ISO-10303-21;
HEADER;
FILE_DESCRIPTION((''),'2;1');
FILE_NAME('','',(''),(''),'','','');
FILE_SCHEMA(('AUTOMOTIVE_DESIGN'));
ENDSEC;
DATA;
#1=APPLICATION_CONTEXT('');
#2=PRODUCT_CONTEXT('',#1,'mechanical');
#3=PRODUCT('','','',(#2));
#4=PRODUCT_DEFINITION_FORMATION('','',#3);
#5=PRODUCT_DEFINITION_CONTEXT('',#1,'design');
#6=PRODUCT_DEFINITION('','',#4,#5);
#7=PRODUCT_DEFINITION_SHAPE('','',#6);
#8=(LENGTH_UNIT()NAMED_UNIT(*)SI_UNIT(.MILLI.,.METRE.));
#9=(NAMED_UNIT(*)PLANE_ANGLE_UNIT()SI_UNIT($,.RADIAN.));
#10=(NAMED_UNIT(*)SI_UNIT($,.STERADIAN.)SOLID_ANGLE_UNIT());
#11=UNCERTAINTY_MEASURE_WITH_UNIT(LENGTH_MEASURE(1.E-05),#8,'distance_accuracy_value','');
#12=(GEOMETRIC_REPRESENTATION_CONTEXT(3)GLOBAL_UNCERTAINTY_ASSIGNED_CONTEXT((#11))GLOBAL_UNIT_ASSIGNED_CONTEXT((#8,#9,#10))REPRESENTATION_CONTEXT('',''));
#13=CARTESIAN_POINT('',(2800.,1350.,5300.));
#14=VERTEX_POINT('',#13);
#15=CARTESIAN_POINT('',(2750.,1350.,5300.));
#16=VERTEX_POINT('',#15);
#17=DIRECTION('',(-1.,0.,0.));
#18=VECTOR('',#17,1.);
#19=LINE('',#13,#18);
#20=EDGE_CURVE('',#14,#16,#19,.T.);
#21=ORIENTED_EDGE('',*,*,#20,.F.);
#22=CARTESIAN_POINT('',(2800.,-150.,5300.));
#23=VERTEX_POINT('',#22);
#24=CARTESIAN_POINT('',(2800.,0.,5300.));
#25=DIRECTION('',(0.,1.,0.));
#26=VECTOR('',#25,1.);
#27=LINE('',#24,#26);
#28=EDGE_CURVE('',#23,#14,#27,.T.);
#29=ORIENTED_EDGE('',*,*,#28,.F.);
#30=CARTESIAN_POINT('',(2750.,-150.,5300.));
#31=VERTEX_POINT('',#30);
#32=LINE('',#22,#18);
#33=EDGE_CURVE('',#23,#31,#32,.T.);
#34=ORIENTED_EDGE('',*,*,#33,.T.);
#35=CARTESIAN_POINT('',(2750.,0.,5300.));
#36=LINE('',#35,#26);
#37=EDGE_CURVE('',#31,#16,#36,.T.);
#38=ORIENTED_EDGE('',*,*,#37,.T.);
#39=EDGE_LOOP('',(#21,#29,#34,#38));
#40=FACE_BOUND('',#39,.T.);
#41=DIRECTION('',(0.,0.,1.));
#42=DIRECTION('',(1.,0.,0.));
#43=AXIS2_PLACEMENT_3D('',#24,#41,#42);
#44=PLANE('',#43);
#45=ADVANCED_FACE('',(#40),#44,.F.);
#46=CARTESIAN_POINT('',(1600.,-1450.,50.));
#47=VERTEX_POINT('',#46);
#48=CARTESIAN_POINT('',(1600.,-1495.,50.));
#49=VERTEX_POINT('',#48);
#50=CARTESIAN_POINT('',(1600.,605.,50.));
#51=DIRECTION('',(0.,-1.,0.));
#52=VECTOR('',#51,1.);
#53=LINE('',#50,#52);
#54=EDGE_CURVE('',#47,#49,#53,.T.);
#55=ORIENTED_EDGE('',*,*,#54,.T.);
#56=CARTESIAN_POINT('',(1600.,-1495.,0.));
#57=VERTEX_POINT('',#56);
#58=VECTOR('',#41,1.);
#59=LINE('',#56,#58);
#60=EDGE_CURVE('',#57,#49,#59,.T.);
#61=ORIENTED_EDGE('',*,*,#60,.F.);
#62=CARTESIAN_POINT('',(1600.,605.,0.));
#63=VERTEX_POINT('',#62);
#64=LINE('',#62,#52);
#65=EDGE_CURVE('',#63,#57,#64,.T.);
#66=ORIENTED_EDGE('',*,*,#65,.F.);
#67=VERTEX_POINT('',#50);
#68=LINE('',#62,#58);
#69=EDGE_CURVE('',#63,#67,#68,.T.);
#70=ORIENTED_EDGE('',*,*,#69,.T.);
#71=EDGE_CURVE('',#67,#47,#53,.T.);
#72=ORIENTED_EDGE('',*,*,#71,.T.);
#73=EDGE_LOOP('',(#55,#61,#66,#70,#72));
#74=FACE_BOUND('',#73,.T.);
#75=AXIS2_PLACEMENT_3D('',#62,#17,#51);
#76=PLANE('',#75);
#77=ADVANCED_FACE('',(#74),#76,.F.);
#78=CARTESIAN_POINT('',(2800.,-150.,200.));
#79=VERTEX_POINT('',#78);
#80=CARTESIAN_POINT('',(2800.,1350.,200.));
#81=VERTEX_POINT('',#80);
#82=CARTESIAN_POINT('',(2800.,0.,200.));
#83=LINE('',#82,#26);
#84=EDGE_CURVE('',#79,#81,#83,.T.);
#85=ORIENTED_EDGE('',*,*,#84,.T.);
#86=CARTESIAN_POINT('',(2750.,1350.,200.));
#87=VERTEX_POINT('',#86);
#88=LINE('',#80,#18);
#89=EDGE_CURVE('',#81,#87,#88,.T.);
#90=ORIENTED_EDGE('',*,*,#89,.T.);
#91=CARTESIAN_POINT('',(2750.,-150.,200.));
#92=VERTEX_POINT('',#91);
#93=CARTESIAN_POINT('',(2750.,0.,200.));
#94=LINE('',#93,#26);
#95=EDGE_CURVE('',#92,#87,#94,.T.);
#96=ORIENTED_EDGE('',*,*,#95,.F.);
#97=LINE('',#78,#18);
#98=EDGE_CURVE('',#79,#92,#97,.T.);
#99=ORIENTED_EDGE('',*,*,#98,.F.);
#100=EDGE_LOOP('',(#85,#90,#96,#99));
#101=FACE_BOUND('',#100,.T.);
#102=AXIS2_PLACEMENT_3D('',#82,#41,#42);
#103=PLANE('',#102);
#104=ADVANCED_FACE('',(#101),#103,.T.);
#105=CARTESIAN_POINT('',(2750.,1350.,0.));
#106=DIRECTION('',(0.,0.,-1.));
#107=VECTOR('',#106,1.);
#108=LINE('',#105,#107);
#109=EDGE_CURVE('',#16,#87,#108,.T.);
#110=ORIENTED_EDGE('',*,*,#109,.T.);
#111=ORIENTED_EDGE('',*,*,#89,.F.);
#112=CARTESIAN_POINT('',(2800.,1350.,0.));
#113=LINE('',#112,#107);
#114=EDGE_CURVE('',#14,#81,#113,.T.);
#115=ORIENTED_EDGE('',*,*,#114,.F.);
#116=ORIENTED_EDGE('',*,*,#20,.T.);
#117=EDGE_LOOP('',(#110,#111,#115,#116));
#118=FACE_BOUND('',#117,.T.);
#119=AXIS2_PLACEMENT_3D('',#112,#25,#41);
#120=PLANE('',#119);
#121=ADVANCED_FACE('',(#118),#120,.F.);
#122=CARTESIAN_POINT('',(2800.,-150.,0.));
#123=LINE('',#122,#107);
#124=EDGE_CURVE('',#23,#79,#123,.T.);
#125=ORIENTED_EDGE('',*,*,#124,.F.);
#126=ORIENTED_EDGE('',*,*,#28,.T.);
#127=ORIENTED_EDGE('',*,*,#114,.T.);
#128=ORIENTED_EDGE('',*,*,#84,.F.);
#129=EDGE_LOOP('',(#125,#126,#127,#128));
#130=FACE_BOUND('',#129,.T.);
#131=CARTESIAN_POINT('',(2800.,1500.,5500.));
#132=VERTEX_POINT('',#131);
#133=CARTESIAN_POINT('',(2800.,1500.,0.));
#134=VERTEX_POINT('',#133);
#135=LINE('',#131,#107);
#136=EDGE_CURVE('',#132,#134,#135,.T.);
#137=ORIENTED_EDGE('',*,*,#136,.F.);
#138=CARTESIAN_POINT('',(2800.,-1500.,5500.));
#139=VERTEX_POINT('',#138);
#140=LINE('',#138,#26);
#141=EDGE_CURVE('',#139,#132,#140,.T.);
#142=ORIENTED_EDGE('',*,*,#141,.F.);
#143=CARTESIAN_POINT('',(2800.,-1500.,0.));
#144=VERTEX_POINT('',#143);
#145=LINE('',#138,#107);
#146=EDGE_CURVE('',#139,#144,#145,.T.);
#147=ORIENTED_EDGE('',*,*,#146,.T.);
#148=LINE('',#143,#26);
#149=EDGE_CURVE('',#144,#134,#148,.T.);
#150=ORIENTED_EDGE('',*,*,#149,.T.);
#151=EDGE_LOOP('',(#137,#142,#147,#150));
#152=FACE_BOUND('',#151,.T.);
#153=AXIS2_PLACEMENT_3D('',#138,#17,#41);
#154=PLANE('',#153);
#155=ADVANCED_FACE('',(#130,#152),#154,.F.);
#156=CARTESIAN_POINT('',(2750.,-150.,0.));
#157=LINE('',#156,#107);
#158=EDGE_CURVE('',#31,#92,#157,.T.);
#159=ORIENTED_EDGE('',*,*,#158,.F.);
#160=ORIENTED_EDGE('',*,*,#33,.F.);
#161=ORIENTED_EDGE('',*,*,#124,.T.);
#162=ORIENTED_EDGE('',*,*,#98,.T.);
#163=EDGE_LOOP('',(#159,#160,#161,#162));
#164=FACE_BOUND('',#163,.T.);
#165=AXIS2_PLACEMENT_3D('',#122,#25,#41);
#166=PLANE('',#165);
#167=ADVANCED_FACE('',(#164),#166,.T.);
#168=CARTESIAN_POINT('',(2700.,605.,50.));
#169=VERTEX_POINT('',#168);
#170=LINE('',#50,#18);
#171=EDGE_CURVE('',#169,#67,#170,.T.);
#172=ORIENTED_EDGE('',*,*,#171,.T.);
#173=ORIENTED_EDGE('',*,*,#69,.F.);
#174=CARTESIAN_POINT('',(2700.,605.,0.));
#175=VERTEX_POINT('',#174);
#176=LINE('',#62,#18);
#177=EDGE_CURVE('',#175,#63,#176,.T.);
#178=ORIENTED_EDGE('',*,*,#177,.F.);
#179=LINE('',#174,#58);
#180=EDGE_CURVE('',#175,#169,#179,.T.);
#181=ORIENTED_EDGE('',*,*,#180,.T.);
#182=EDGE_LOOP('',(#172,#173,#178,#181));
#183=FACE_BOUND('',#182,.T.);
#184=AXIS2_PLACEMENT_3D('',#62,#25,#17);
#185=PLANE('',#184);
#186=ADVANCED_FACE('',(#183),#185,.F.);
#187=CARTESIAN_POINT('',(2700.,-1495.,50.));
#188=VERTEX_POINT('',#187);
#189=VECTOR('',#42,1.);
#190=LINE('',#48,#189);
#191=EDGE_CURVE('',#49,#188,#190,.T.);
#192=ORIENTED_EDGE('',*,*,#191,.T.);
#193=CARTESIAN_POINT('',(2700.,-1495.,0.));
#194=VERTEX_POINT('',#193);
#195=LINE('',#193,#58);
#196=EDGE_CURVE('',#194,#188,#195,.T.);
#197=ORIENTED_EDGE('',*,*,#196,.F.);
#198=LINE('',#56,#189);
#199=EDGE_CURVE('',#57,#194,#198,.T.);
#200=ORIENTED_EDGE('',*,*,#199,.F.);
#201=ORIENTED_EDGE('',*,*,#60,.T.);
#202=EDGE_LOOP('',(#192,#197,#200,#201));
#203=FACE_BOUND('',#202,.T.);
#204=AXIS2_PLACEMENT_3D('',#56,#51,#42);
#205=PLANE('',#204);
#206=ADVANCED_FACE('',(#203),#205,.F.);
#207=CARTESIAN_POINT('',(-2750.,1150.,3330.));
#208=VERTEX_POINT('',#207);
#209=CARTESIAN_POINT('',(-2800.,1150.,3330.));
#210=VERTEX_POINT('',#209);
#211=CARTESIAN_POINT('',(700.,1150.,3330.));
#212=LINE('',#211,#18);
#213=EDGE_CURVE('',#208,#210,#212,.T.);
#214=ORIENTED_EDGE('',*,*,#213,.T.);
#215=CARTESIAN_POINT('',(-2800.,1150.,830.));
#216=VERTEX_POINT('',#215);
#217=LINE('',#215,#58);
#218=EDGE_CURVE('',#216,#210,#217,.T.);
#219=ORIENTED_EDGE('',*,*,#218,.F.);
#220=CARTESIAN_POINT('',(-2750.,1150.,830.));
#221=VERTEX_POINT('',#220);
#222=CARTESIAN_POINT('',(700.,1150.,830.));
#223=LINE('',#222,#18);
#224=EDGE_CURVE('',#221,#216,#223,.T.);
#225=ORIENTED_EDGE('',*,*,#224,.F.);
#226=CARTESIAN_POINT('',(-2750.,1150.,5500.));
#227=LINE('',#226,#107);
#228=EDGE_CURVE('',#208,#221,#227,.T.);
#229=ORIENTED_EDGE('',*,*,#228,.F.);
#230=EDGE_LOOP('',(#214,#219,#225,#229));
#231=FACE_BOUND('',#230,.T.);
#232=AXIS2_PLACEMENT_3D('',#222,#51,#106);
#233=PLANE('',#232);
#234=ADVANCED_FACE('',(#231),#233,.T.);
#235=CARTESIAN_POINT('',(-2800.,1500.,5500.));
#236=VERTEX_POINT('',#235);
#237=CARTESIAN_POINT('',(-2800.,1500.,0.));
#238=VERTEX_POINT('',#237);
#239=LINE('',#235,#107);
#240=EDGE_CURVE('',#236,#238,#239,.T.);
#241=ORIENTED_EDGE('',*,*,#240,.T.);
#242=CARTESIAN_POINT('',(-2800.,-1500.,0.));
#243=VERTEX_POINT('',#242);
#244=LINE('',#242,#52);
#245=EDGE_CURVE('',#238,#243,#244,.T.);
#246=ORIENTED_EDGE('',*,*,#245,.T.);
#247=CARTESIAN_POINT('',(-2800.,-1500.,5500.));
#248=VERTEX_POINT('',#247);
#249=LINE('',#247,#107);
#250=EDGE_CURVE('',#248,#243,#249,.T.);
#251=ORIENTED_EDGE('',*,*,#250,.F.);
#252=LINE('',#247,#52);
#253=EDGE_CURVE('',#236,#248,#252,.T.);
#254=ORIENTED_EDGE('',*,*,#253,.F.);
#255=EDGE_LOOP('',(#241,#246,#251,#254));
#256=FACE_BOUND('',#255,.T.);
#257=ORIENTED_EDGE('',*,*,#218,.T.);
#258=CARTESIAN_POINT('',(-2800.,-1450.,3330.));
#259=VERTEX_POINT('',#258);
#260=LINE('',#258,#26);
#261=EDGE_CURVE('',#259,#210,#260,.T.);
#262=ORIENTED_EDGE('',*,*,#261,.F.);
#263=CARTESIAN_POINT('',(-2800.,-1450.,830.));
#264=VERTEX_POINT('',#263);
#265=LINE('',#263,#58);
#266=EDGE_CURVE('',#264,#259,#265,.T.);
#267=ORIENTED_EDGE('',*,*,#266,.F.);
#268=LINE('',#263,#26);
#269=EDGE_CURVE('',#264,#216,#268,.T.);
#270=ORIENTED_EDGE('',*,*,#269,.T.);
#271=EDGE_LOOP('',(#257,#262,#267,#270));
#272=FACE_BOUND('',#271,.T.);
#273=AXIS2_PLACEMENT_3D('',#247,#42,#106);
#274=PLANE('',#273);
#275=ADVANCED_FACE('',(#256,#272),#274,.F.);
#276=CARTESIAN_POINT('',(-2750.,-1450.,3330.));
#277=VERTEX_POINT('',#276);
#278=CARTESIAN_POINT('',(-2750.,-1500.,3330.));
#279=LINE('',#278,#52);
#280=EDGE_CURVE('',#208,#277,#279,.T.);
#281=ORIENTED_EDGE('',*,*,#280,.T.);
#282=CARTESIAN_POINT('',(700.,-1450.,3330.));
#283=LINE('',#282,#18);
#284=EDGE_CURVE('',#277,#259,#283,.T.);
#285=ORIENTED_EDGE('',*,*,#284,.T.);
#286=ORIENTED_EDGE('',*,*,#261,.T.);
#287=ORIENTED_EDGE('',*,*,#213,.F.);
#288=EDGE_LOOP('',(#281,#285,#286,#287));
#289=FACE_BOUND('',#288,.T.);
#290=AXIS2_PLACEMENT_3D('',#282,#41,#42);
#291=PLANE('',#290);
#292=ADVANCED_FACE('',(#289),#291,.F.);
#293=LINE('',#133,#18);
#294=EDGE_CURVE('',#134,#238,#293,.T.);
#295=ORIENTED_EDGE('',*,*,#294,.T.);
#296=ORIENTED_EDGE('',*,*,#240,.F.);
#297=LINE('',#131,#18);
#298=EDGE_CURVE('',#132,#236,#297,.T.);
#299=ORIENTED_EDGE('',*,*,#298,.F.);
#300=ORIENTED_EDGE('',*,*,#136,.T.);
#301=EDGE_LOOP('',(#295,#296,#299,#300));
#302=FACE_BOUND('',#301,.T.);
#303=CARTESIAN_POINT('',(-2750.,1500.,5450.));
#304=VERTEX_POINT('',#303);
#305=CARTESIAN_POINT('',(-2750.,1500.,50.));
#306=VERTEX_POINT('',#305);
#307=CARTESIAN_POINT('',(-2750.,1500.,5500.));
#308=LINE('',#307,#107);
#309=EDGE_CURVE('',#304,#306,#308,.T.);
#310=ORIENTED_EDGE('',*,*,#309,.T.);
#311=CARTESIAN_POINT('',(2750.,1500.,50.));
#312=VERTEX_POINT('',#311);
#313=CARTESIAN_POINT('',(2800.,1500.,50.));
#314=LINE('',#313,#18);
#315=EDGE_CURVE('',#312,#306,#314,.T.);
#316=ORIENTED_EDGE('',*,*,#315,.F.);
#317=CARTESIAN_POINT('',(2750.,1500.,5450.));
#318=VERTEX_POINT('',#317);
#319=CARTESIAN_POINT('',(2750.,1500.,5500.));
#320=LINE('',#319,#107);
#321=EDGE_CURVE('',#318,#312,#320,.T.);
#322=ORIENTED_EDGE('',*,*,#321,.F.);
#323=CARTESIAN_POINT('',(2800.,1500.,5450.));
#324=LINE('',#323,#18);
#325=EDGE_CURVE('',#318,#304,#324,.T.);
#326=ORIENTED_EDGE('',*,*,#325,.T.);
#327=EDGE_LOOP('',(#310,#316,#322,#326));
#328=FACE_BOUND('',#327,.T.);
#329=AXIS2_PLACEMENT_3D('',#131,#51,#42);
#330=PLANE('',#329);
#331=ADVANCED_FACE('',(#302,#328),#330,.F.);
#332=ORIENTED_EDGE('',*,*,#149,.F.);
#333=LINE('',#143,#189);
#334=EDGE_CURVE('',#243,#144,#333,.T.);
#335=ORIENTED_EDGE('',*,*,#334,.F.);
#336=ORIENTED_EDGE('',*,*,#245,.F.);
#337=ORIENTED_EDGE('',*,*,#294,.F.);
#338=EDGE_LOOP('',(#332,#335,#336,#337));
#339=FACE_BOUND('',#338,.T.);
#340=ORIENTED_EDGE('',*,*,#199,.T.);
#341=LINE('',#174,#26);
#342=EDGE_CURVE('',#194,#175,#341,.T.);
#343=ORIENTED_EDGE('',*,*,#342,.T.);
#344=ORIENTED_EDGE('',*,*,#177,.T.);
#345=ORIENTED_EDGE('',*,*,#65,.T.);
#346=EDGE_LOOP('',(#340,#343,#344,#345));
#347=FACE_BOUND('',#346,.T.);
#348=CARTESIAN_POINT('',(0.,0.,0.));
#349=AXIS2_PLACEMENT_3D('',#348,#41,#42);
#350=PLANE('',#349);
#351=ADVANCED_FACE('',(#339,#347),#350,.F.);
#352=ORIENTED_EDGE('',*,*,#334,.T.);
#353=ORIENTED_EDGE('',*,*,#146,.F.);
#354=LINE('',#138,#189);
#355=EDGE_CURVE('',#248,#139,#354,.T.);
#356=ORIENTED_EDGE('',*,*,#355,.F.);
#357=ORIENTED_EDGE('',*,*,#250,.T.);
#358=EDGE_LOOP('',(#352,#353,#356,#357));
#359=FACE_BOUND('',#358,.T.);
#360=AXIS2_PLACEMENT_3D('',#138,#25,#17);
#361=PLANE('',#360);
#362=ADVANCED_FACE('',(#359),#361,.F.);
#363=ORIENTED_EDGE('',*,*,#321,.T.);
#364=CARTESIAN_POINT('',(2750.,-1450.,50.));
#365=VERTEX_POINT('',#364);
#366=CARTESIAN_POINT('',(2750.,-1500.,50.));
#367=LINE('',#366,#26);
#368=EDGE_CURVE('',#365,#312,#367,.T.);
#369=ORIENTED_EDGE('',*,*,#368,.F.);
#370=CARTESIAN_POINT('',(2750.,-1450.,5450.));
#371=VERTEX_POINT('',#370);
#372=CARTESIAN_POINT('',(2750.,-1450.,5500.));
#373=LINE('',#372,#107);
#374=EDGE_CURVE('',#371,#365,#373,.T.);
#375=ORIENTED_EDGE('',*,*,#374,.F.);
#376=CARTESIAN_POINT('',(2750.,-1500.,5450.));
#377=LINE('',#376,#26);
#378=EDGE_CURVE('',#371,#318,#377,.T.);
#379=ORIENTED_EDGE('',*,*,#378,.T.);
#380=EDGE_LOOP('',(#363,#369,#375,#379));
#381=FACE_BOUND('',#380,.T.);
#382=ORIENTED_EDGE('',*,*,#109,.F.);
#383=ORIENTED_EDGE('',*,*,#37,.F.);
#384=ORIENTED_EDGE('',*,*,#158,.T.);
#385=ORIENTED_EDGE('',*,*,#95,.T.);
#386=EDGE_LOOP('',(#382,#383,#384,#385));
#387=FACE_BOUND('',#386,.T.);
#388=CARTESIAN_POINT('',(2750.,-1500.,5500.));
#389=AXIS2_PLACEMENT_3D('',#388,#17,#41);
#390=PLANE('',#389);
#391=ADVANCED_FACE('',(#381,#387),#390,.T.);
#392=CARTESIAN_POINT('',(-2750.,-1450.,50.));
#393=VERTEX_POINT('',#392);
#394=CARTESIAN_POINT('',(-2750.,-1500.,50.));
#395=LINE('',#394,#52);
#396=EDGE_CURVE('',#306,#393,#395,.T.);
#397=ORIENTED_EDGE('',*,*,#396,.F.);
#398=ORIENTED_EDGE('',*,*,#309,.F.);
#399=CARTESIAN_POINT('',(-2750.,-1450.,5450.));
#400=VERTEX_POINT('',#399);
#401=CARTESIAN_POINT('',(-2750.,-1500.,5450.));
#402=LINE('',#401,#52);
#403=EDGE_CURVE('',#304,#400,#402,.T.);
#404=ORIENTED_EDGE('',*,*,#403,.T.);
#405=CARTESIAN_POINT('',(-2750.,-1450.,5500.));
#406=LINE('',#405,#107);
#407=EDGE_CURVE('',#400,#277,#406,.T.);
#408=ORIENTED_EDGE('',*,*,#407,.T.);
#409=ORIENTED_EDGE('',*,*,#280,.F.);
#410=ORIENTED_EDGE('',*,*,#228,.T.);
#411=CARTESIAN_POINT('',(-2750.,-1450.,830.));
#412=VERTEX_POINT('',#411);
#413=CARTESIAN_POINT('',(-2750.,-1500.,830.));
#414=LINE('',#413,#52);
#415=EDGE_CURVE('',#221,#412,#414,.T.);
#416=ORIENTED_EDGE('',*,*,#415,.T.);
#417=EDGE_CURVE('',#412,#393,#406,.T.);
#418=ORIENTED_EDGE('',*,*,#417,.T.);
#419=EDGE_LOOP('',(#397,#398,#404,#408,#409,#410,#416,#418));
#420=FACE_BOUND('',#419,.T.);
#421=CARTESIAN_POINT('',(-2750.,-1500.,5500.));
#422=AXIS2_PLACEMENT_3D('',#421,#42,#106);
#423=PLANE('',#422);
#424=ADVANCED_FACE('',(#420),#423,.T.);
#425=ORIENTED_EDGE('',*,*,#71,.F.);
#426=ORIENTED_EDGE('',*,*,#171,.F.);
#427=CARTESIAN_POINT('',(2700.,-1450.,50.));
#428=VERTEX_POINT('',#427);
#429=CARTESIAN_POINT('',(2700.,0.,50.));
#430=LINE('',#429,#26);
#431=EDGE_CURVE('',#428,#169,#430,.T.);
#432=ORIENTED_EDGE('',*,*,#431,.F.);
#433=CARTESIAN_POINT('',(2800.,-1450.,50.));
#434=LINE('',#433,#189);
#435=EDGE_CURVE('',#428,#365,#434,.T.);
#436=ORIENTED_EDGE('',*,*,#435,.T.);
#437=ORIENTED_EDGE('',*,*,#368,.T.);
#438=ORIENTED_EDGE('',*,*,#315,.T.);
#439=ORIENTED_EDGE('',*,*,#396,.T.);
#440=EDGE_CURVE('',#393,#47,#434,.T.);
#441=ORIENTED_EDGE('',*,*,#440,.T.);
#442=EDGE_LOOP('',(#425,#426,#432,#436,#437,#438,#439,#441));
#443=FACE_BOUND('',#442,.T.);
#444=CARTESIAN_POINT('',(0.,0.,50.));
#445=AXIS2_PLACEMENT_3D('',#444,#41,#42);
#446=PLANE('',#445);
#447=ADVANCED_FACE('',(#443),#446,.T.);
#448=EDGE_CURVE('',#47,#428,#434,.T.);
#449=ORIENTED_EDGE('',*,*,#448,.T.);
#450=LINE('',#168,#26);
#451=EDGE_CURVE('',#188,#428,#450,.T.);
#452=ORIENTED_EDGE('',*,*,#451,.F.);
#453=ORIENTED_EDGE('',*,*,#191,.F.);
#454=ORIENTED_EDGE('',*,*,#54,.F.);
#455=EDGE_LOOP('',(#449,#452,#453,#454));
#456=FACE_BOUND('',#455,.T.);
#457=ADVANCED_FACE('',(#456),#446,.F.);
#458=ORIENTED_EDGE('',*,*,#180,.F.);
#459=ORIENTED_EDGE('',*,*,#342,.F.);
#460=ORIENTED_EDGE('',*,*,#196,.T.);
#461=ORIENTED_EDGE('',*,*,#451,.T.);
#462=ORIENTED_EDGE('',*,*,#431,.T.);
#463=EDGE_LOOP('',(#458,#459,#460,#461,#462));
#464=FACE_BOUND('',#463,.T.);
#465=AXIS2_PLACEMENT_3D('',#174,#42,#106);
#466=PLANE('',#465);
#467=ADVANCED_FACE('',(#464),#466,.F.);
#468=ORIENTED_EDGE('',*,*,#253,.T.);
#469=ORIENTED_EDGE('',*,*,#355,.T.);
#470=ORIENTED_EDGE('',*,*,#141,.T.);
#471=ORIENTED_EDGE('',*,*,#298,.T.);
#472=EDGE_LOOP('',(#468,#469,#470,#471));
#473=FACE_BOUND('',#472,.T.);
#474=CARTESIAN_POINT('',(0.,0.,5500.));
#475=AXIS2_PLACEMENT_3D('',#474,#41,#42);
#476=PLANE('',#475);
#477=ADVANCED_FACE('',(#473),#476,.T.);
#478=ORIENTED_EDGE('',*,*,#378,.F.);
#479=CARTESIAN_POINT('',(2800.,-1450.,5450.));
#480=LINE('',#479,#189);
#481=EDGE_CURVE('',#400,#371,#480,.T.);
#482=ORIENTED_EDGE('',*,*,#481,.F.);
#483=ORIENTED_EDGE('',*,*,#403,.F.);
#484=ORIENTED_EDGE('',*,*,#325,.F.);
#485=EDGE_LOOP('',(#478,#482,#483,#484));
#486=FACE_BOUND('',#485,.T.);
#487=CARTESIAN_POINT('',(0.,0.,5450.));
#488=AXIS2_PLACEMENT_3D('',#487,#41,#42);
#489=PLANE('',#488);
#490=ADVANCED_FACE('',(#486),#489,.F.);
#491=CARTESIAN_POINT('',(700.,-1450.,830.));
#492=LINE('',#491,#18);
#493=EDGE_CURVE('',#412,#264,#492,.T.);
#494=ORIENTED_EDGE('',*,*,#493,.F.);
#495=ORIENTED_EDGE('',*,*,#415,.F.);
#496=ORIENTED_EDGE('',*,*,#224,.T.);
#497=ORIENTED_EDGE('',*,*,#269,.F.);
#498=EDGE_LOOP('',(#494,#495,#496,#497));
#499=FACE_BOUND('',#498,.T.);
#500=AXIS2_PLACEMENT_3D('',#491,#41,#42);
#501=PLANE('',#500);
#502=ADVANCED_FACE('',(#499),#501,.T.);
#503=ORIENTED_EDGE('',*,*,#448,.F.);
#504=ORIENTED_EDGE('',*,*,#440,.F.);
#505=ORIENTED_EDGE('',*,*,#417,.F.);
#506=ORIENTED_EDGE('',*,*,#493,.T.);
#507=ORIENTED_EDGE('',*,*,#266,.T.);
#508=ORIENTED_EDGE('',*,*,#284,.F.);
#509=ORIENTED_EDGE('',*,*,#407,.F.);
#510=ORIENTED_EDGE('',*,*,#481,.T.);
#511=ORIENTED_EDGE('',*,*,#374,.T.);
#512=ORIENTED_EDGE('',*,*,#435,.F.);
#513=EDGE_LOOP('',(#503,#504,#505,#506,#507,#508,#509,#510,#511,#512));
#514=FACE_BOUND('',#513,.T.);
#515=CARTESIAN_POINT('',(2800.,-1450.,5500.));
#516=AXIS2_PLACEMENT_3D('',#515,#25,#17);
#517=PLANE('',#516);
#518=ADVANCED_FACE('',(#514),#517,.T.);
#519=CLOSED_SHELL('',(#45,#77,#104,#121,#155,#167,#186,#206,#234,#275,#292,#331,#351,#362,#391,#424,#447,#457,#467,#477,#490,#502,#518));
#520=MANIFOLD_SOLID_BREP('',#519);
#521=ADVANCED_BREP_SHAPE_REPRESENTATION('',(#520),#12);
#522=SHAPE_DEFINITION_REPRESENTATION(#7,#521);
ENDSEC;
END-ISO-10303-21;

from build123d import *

# Parameters (mm, degrees)
SKETCH3_W           = 5600
SKETCH3_H           = 3000
BOSS_EXTRUDE2_DEPTH = 5500
SHELL2_T            = -50
SKETCH4_W           = 2500
SKETCH4_H           = 2600
CUT_EXTRUDE4_DEPTH  = 3500
SKETCH5_W           = 1100
SKETCH5_H           = 2100
CUT_EXTRUDE6_DEPTH  = 6309.129675268
SKETCH6_W           = 5100
SKETCH6_H           = 1500
CUT_EXTRUDE7_DEPTH  = 7957.286822381


with BuildPart() as part:
    # Sketch3 → Boss-Extrude2 (new body)
    with BuildSketch(Plane.XY):
        Rectangle(SKETCH3_W, SKETCH3_H)
    extrude(amount=BOSS_EXTRUDE2_DEPTH)

    # Shell2
    shell2_openings = [part.faces().sort_by_distance(p)[0] for p in [
        (0, 1500, 2750),
    ]]
    offset(amount=SHELL2_T, openings=shell2_openings, kind=Kind.INTERSECTION)

    # Sketch4 → Cut-Extrude4 (cut)
    with BuildSketch(Plane.ZY.offset(2800)):
        with Locations((2080, -150)):
            Rectangle(SKETCH4_W, SKETCH4_H)
    extrude(amount=-CUT_EXTRUDE4_DEPTH, mode=Mode.SUBTRACT)

    # Sketch5 → Cut-Extrude6 (cut, through all)
    with BuildSketch(Plane.XY.offset(50)):
        with Locations((2150, -445)):
            Rectangle(SKETCH5_W, SKETCH5_H)
    extrude(amount=-CUT_EXTRUDE6_DEPTH, mode=Mode.SUBTRACT)

    # Sketch6 → Cut-Extrude7 (cut, through all)
    with BuildSketch(Plane.ZY.offset(-2750)):
        with Locations((2750, 600)):
            Rectangle(SKETCH6_W, SKETCH6_H)
    extrude(amount=-CUT_EXTRUDE7_DEPTH, mode=Mode.SUBTRACT)


solid = part.part
